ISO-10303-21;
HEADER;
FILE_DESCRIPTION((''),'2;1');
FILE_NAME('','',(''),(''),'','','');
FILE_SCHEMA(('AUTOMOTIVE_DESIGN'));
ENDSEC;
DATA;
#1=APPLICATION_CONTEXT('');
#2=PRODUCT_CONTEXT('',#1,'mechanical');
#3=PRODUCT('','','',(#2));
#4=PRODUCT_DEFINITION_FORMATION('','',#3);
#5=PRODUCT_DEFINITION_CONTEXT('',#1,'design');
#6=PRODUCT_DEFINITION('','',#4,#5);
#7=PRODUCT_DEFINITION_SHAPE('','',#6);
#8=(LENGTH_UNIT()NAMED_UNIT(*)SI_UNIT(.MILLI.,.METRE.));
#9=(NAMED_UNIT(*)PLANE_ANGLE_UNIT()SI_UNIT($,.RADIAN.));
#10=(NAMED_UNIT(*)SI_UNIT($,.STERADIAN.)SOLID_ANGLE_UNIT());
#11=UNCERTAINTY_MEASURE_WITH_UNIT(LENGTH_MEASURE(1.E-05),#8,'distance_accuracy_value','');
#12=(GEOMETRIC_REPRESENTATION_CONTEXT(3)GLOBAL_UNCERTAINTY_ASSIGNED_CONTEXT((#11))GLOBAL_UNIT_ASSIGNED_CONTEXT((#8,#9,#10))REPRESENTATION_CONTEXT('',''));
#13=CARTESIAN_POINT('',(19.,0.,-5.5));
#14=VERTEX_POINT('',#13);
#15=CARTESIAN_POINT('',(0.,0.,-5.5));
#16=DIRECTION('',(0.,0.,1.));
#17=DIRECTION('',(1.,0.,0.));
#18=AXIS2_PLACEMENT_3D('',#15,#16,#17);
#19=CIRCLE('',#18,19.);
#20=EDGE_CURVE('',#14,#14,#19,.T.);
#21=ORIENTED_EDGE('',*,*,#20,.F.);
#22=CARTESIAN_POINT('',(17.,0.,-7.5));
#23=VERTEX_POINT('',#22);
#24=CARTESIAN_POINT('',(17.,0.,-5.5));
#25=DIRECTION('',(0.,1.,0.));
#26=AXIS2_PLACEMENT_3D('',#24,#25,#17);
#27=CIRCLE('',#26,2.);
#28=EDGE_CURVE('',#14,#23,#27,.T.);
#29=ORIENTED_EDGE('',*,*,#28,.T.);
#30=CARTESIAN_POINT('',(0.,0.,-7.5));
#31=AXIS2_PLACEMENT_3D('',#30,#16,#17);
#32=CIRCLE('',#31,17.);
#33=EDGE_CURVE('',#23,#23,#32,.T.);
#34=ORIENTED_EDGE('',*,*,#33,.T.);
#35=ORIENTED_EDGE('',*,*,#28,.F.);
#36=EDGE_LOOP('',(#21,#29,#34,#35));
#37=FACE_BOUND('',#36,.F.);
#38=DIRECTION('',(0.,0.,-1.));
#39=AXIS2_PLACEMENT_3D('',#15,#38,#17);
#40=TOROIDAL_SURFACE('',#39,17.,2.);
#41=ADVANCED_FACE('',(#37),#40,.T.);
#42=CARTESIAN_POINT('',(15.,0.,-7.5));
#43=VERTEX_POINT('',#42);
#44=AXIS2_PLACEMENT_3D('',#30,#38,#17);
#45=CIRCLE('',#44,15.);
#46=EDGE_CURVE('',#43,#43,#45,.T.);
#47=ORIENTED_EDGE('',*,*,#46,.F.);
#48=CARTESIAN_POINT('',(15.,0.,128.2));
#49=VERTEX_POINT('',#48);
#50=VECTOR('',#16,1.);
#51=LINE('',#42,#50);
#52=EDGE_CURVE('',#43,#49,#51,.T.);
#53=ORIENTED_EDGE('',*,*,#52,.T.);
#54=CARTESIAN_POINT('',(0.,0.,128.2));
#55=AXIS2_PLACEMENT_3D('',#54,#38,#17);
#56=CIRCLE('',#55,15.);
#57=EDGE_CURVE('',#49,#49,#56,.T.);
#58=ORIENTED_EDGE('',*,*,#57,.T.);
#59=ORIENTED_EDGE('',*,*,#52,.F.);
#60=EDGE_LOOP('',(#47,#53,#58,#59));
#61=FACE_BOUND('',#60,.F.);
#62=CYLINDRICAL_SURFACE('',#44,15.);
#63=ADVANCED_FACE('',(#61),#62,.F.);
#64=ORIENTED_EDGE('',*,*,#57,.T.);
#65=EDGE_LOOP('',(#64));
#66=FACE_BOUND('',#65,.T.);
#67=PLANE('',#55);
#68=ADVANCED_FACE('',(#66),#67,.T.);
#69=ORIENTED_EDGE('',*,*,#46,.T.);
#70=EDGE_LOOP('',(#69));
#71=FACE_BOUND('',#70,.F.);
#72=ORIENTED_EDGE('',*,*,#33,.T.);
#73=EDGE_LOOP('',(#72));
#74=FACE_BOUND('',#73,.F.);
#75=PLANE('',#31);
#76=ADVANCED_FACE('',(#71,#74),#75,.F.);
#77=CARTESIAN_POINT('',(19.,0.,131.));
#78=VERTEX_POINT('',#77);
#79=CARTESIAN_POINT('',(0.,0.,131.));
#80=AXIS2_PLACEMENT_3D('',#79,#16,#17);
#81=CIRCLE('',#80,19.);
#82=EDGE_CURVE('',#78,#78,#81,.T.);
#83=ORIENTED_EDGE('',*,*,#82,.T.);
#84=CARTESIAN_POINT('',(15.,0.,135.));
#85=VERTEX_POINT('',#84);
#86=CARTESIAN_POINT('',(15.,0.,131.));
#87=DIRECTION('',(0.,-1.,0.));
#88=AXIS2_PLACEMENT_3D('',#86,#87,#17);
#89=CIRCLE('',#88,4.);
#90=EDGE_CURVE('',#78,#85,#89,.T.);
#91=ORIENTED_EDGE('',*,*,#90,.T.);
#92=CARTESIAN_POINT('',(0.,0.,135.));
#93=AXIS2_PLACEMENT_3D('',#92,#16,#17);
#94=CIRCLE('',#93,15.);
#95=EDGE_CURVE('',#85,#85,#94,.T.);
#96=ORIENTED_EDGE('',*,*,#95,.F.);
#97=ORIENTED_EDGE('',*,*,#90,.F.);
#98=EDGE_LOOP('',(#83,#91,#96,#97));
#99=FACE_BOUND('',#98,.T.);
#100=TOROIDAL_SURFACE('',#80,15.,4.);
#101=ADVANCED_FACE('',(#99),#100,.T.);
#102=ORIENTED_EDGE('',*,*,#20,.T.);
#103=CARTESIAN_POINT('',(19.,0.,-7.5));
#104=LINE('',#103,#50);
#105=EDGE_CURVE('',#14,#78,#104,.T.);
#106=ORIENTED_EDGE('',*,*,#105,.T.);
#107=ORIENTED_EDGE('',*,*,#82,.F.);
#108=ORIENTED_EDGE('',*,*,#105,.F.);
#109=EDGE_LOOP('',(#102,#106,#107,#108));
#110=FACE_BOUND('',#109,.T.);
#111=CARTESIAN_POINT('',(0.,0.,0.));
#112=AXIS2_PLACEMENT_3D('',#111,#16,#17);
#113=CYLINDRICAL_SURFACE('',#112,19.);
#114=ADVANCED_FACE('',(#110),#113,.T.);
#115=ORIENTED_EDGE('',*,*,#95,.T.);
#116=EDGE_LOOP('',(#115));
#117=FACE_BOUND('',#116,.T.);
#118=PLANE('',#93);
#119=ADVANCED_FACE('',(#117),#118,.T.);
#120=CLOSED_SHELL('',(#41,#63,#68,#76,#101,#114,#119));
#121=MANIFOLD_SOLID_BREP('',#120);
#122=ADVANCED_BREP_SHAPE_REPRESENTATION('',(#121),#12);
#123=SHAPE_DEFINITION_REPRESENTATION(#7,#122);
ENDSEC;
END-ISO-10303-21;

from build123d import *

# Parameters (mm, degrees)
F0_R     = 19
F1_DEPTH = 135
F2_R     = 4
F3_R     = 19
F4_DEPTH = 7.5
F5_R     = 15
F6_DEPTH = 135.7
F7_R     = 2


with BuildPart() as f1:
    # F0 (on Top) → F1 (new body)
    with BuildSketch(Plane.XY):
        Circle(F0_R)
    extrude(amount=F1_DEPTH)

    # F2
    f2_edges = [f1.edges().sort_by_distance(p)[0] for p in [
        (-19, 0, 135),
    ]]
    fillet(f2_edges, radius=F2_R)

    # F3 (on Top) → F4 (join)
    with BuildSketch(Plane.XY):
        Circle(F3_R)
    extrude(amount=-F4_DEPTH)

    # F5 (on face) → F6 (cut)
    with BuildSketch(Plane(origin=(0, 0, -7.5), x_dir=(1, 0, 0), z_dir=(0, 0, -1))):
        Circle(F5_R)
    extrude(amount=-F6_DEPTH, mode=Mode.SUBTRACT)

    # F7
    f7_edges = [f1.edges().sort_by_distance(p)[0] for p in [
        (-19, 0, -7.5),
    ]]
    fillet(f7_edges, radius=F7_R)


solid = f1.part
